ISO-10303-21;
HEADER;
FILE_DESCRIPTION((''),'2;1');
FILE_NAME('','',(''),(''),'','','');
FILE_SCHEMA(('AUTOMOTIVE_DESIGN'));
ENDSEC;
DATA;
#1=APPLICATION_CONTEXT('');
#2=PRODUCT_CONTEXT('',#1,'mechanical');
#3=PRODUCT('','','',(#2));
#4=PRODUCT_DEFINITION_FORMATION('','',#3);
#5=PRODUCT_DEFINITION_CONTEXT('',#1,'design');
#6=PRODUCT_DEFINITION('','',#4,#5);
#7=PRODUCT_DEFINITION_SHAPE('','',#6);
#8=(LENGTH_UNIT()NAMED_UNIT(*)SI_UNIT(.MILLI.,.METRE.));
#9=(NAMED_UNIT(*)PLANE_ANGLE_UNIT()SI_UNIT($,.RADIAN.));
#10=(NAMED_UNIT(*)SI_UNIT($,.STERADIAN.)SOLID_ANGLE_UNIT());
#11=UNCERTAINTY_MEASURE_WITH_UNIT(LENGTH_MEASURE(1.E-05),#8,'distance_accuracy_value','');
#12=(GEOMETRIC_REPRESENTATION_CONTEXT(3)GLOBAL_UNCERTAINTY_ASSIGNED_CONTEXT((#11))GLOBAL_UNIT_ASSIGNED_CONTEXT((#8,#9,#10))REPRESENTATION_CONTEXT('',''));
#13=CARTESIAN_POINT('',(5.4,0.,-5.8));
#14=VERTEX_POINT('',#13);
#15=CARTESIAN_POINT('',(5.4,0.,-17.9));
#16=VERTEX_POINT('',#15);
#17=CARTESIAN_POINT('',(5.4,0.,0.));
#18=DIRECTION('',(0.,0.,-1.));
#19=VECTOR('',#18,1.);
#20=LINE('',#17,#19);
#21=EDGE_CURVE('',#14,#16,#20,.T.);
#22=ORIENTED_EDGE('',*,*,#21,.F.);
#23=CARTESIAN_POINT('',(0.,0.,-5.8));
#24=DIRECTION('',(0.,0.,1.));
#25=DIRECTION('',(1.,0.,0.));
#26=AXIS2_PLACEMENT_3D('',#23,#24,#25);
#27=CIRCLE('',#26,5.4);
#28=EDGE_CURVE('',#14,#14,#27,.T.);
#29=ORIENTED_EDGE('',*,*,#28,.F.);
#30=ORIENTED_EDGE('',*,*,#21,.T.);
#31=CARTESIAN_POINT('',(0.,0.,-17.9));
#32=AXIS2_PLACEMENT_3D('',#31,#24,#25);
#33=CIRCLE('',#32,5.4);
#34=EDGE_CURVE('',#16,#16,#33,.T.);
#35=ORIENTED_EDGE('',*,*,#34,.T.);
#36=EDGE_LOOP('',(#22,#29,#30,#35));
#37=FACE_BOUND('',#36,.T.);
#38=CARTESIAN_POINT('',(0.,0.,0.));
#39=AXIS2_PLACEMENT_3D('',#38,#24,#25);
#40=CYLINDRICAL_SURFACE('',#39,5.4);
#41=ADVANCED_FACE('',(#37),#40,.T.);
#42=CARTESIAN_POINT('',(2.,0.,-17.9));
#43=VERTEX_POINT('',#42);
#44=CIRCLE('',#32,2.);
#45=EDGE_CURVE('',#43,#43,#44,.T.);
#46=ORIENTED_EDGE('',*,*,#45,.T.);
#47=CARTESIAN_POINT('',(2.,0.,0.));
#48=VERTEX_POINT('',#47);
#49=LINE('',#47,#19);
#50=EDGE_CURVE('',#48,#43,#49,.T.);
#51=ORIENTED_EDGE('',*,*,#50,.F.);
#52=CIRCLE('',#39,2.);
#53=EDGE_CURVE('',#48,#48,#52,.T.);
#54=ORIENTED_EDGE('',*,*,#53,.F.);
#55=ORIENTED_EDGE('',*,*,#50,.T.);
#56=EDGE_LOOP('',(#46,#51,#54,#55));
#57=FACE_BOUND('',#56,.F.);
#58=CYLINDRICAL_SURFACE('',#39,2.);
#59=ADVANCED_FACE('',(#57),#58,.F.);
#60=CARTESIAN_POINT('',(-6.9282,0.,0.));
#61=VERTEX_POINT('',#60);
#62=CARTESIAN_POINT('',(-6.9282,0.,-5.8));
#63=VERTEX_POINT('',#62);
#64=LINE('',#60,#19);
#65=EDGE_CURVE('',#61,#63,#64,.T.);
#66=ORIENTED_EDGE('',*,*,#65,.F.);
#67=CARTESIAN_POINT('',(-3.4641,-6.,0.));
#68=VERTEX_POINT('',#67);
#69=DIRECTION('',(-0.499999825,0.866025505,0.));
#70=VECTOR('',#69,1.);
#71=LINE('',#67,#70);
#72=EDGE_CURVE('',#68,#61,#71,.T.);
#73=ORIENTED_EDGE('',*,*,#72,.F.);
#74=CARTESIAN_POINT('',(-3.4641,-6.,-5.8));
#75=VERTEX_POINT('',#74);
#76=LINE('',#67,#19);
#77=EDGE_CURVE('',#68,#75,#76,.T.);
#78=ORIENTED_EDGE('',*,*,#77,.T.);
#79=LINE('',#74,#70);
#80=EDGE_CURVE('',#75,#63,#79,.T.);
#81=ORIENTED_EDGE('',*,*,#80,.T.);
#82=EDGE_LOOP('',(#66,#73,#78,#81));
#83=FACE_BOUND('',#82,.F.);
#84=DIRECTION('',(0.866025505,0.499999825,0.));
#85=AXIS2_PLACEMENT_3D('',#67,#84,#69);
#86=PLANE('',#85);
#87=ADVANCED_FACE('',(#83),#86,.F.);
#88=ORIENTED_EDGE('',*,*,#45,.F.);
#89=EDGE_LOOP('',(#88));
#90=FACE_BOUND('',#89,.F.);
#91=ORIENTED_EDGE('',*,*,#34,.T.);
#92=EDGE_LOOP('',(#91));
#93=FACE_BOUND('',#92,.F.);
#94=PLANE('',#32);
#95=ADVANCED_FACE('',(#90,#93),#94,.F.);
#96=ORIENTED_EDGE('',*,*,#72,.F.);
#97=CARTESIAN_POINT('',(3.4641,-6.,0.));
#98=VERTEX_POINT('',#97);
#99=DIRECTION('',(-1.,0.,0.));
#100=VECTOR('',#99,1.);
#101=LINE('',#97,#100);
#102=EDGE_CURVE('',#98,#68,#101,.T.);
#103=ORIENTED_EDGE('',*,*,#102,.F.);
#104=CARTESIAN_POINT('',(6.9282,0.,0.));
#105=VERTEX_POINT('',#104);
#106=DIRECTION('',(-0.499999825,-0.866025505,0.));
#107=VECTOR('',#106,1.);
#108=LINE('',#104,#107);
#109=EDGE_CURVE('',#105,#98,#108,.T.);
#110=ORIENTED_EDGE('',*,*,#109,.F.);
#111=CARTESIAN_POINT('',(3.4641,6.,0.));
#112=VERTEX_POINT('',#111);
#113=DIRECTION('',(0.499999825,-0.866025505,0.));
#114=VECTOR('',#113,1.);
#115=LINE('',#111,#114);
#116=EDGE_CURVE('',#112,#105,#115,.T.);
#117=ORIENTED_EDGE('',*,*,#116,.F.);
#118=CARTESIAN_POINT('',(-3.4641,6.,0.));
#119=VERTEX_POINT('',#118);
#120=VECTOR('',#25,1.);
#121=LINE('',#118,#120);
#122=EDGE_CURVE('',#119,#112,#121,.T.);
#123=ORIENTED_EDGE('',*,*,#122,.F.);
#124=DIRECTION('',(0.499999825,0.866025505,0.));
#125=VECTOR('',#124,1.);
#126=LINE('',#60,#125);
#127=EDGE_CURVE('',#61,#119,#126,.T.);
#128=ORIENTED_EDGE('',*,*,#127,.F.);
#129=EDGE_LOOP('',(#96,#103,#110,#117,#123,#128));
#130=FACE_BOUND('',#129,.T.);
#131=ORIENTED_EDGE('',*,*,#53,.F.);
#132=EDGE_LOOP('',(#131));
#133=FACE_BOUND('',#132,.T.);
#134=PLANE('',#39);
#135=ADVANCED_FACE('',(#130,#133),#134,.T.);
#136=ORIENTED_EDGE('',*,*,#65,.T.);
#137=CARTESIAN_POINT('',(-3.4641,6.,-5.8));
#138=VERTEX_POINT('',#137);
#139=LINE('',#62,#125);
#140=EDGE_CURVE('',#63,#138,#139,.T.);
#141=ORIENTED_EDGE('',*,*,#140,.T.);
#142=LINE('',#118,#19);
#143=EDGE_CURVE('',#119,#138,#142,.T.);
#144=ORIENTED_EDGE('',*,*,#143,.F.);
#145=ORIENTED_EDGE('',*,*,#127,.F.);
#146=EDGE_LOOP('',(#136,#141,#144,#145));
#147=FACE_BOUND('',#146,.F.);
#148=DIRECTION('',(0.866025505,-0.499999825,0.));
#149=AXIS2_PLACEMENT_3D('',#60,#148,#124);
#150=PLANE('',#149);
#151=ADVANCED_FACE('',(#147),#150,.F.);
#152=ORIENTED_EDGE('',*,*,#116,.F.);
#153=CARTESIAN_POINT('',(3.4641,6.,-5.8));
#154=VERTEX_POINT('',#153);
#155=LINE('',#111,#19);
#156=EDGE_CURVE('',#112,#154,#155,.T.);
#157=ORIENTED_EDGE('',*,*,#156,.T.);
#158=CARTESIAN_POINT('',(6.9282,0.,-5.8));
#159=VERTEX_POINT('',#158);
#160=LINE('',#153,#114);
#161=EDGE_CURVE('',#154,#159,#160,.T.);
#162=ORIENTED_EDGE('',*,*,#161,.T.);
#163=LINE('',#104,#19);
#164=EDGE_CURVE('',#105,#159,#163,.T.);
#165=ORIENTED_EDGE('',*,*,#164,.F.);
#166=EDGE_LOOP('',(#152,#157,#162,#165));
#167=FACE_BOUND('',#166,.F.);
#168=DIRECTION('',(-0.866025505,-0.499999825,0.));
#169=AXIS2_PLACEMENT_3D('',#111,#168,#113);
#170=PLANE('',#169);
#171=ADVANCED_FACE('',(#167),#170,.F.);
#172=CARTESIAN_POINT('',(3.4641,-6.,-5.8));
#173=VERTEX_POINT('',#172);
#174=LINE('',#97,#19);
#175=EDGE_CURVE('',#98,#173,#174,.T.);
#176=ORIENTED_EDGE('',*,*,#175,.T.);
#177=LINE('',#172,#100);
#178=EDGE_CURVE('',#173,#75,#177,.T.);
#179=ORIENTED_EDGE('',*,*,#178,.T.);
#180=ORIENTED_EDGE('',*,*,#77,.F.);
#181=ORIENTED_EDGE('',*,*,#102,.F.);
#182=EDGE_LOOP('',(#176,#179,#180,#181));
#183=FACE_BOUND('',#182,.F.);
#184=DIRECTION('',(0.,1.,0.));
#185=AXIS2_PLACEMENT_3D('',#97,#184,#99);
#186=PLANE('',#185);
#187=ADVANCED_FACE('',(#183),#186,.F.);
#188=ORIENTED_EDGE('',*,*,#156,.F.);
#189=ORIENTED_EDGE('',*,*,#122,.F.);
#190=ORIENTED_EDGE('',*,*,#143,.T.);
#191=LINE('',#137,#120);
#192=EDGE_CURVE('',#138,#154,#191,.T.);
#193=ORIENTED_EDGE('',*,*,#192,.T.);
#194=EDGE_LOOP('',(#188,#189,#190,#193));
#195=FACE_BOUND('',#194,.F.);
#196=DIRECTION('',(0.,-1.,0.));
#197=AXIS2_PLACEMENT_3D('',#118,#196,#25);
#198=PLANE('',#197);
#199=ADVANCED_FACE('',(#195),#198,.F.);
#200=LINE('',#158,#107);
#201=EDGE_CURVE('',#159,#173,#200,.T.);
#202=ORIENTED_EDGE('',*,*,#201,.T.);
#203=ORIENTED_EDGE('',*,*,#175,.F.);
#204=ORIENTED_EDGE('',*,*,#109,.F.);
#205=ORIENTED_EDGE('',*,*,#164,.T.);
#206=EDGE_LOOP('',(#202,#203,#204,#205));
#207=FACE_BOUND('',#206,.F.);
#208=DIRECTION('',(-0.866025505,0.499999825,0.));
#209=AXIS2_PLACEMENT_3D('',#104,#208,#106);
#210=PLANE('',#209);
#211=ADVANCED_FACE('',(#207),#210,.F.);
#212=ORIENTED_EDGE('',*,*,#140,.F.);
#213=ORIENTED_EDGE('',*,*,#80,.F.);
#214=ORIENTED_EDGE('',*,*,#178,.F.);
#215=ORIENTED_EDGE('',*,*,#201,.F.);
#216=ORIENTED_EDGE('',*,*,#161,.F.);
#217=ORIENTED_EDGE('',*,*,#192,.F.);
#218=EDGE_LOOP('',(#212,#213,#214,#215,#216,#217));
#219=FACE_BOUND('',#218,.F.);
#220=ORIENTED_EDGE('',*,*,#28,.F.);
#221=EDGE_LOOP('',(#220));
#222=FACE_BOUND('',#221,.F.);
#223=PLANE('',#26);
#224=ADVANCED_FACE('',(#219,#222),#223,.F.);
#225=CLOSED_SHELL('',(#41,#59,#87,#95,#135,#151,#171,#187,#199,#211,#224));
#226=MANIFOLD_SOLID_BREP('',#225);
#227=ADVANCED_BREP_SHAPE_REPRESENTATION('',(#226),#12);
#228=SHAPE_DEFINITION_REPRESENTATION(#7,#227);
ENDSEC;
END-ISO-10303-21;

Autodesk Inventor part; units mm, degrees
ref_plane "YZ Plane" through (0, 0, 0) normal (1, 0, 0) x (0, 1, 0)
ref_plane "XZ Plane" through (0, 0, 0) normal (0, 1, 0) x (-1, 0, 0)
ref_plane "XY Plane" through (0, 0, 0) normal (0, 0, 1) x (1, 0, 0)
sketch "Sketch1" plane through (0, 0, 0) normal (0, 0, 1) x (1, 0, 0)
  circle A0 centre (0, 0) radius 5.4
  dimension "d0" = 10.8
extrude "Extrusion1" add sketch "Sketch1" against normal blind 17.9
sketch "Sketch2" plane through (0, 0, 0) normal (0, 0, 1) x (1, 0, 0)
  line L0 (3.4641, 6) -> (6.9282, 0)
  line L1 (6.9282, 0) -> (3.4641, -6)
  line L2 (3.4641, -6) -> (-3.4641, -6)
  line L3 (-3.4641, -6) -> (-6.9282, 0)
  line L4 (-6.9282, 0) -> (-3.4641, 6)
  line L5 (-3.4641, 6) -> (3.4641, 6)
  point P0 (0, 0)
  point P1 (0, 0)
  dimension "d4" = 12
extrude "Extrusion2" add sketch "Sketch2" against normal blind 5.8
sketch "Sketch3" plane through (0, 0, 0) normal (0, 0, 1) x (1, 0, 0)
  circle A0 centre (0, 0) radius 2
  dimension "d7" = 4
extrude "Extrusion3" cut sketch "Sketch3" against normal through all
properties part number "pin motor"
